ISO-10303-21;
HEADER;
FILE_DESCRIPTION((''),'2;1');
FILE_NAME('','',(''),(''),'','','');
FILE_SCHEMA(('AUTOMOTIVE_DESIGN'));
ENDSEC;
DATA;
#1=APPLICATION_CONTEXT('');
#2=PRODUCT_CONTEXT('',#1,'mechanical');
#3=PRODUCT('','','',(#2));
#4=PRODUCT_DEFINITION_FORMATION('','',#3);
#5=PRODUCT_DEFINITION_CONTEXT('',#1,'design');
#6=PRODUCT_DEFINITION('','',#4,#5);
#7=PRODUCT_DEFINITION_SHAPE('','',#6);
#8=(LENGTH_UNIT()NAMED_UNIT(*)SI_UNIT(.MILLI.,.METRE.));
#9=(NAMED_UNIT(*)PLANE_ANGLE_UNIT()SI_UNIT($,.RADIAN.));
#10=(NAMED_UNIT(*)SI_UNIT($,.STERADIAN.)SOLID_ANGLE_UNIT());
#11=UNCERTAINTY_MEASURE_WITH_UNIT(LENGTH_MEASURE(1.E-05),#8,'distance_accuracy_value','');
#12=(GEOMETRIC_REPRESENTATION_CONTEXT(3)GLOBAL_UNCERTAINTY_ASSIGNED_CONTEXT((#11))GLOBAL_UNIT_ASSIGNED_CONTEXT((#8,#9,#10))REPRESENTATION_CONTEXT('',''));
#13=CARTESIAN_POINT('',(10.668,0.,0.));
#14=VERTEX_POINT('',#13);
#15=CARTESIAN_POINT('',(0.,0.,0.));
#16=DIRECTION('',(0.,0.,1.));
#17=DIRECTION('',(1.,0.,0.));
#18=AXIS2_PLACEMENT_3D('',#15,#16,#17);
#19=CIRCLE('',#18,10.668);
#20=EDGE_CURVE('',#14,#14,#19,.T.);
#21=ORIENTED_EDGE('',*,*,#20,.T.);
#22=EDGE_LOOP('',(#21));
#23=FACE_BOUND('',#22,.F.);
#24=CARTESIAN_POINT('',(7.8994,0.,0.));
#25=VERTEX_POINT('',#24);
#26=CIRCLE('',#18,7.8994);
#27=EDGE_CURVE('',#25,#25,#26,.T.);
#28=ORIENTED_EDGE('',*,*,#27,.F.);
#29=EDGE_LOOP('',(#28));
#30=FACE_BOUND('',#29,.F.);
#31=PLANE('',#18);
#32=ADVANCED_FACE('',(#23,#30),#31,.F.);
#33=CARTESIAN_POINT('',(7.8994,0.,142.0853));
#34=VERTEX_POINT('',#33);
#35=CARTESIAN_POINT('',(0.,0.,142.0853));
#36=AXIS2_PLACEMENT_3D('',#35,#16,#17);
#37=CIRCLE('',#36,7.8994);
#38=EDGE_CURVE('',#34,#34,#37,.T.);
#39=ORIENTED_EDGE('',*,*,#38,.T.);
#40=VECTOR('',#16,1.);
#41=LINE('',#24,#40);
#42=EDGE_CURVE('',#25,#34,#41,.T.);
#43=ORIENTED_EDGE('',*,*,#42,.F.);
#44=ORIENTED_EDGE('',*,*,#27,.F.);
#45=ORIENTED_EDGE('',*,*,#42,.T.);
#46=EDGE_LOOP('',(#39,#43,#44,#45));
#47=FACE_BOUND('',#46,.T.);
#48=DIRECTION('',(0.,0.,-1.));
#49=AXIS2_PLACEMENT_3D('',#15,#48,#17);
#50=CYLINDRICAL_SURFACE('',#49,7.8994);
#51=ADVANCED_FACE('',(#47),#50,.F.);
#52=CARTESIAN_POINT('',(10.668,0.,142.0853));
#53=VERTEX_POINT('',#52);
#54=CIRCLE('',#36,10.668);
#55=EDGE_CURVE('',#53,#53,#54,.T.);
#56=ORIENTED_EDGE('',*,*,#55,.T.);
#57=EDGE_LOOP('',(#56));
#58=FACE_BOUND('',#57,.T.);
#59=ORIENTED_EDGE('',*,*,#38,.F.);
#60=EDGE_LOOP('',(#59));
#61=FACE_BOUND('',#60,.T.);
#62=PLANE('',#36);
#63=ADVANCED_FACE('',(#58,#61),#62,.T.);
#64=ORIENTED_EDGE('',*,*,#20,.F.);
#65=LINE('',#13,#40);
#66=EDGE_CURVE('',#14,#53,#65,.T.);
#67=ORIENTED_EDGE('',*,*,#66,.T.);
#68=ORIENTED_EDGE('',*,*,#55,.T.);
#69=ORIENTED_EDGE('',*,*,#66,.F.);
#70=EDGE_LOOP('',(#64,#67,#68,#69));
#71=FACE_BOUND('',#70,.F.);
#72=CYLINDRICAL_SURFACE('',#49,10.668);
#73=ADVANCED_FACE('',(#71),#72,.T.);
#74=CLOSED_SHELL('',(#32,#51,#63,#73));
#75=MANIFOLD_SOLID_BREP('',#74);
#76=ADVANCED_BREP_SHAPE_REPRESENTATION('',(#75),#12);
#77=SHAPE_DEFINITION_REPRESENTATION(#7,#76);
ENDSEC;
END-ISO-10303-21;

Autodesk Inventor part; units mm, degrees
ref_plane "YZ Plane" through (0, 0, 0) normal (1, 0, 0) x (0, 1, 0)
ref_plane "Start Plane" through (0, 0, 0) normal (0, 0, 1) x (1, 0, 0)
ref_plane "End Plane" through (0, 0, 142.0853) normal (0, 0, 1) x (1, 0, 0)
sketch "Sketch" plane through (0, 0, 0) normal (0, 0, 1) x (1, 0, 0)
  circle A0 centre (0, 0) radius 7.8994
  circle A1 centre (0, 0) radius 10.668
  dimension "d0" = 21.336
  dimension "d1" = 2.7686
extrude "Body" add sketch "Sketch" along normal up to surface (142.0853 mm away) from surface at 0
sketch "Sketch3" plane through (0, 0, 0) normal (0, 0, 1) x (1, 0, 0)
  line L0 (0, 0) -> (10, 0)
ref_plane "Work Plane3" through (0, 0, 0) normal (0, -1, 0) x (1, 0, 0)
sketch "Sketch4" plane through (0, 0, 0) normal (0, -1, 0) x (1, 0, 0)
  line L0 (-2, 0) -> (12, 0) projected
  line L1 (-2, 142.0853) -> (12, 142.0853) projected
  dimension "d7" = 142.0853
equation "\"d0\" = G_H"
equation "\"d1\" = G_T"
equation "\"d2\" = G_L"
equation "\"G_H\" = 21.336"
equation "\"G_T\" = 2.7686"
equation "\"G_L\" = d7"
equation "\"G_OFFSET_START\" = 0"
equation "\"G_OFFSET_END\" = 0"
equation "\"d5\" = G_OFFSET_END + B_L"
equation "\"B_L\" = 142.08534"
properties part number "ANSI - 1/2 x 0.109 - 5.594" material "Steel, Mild"
